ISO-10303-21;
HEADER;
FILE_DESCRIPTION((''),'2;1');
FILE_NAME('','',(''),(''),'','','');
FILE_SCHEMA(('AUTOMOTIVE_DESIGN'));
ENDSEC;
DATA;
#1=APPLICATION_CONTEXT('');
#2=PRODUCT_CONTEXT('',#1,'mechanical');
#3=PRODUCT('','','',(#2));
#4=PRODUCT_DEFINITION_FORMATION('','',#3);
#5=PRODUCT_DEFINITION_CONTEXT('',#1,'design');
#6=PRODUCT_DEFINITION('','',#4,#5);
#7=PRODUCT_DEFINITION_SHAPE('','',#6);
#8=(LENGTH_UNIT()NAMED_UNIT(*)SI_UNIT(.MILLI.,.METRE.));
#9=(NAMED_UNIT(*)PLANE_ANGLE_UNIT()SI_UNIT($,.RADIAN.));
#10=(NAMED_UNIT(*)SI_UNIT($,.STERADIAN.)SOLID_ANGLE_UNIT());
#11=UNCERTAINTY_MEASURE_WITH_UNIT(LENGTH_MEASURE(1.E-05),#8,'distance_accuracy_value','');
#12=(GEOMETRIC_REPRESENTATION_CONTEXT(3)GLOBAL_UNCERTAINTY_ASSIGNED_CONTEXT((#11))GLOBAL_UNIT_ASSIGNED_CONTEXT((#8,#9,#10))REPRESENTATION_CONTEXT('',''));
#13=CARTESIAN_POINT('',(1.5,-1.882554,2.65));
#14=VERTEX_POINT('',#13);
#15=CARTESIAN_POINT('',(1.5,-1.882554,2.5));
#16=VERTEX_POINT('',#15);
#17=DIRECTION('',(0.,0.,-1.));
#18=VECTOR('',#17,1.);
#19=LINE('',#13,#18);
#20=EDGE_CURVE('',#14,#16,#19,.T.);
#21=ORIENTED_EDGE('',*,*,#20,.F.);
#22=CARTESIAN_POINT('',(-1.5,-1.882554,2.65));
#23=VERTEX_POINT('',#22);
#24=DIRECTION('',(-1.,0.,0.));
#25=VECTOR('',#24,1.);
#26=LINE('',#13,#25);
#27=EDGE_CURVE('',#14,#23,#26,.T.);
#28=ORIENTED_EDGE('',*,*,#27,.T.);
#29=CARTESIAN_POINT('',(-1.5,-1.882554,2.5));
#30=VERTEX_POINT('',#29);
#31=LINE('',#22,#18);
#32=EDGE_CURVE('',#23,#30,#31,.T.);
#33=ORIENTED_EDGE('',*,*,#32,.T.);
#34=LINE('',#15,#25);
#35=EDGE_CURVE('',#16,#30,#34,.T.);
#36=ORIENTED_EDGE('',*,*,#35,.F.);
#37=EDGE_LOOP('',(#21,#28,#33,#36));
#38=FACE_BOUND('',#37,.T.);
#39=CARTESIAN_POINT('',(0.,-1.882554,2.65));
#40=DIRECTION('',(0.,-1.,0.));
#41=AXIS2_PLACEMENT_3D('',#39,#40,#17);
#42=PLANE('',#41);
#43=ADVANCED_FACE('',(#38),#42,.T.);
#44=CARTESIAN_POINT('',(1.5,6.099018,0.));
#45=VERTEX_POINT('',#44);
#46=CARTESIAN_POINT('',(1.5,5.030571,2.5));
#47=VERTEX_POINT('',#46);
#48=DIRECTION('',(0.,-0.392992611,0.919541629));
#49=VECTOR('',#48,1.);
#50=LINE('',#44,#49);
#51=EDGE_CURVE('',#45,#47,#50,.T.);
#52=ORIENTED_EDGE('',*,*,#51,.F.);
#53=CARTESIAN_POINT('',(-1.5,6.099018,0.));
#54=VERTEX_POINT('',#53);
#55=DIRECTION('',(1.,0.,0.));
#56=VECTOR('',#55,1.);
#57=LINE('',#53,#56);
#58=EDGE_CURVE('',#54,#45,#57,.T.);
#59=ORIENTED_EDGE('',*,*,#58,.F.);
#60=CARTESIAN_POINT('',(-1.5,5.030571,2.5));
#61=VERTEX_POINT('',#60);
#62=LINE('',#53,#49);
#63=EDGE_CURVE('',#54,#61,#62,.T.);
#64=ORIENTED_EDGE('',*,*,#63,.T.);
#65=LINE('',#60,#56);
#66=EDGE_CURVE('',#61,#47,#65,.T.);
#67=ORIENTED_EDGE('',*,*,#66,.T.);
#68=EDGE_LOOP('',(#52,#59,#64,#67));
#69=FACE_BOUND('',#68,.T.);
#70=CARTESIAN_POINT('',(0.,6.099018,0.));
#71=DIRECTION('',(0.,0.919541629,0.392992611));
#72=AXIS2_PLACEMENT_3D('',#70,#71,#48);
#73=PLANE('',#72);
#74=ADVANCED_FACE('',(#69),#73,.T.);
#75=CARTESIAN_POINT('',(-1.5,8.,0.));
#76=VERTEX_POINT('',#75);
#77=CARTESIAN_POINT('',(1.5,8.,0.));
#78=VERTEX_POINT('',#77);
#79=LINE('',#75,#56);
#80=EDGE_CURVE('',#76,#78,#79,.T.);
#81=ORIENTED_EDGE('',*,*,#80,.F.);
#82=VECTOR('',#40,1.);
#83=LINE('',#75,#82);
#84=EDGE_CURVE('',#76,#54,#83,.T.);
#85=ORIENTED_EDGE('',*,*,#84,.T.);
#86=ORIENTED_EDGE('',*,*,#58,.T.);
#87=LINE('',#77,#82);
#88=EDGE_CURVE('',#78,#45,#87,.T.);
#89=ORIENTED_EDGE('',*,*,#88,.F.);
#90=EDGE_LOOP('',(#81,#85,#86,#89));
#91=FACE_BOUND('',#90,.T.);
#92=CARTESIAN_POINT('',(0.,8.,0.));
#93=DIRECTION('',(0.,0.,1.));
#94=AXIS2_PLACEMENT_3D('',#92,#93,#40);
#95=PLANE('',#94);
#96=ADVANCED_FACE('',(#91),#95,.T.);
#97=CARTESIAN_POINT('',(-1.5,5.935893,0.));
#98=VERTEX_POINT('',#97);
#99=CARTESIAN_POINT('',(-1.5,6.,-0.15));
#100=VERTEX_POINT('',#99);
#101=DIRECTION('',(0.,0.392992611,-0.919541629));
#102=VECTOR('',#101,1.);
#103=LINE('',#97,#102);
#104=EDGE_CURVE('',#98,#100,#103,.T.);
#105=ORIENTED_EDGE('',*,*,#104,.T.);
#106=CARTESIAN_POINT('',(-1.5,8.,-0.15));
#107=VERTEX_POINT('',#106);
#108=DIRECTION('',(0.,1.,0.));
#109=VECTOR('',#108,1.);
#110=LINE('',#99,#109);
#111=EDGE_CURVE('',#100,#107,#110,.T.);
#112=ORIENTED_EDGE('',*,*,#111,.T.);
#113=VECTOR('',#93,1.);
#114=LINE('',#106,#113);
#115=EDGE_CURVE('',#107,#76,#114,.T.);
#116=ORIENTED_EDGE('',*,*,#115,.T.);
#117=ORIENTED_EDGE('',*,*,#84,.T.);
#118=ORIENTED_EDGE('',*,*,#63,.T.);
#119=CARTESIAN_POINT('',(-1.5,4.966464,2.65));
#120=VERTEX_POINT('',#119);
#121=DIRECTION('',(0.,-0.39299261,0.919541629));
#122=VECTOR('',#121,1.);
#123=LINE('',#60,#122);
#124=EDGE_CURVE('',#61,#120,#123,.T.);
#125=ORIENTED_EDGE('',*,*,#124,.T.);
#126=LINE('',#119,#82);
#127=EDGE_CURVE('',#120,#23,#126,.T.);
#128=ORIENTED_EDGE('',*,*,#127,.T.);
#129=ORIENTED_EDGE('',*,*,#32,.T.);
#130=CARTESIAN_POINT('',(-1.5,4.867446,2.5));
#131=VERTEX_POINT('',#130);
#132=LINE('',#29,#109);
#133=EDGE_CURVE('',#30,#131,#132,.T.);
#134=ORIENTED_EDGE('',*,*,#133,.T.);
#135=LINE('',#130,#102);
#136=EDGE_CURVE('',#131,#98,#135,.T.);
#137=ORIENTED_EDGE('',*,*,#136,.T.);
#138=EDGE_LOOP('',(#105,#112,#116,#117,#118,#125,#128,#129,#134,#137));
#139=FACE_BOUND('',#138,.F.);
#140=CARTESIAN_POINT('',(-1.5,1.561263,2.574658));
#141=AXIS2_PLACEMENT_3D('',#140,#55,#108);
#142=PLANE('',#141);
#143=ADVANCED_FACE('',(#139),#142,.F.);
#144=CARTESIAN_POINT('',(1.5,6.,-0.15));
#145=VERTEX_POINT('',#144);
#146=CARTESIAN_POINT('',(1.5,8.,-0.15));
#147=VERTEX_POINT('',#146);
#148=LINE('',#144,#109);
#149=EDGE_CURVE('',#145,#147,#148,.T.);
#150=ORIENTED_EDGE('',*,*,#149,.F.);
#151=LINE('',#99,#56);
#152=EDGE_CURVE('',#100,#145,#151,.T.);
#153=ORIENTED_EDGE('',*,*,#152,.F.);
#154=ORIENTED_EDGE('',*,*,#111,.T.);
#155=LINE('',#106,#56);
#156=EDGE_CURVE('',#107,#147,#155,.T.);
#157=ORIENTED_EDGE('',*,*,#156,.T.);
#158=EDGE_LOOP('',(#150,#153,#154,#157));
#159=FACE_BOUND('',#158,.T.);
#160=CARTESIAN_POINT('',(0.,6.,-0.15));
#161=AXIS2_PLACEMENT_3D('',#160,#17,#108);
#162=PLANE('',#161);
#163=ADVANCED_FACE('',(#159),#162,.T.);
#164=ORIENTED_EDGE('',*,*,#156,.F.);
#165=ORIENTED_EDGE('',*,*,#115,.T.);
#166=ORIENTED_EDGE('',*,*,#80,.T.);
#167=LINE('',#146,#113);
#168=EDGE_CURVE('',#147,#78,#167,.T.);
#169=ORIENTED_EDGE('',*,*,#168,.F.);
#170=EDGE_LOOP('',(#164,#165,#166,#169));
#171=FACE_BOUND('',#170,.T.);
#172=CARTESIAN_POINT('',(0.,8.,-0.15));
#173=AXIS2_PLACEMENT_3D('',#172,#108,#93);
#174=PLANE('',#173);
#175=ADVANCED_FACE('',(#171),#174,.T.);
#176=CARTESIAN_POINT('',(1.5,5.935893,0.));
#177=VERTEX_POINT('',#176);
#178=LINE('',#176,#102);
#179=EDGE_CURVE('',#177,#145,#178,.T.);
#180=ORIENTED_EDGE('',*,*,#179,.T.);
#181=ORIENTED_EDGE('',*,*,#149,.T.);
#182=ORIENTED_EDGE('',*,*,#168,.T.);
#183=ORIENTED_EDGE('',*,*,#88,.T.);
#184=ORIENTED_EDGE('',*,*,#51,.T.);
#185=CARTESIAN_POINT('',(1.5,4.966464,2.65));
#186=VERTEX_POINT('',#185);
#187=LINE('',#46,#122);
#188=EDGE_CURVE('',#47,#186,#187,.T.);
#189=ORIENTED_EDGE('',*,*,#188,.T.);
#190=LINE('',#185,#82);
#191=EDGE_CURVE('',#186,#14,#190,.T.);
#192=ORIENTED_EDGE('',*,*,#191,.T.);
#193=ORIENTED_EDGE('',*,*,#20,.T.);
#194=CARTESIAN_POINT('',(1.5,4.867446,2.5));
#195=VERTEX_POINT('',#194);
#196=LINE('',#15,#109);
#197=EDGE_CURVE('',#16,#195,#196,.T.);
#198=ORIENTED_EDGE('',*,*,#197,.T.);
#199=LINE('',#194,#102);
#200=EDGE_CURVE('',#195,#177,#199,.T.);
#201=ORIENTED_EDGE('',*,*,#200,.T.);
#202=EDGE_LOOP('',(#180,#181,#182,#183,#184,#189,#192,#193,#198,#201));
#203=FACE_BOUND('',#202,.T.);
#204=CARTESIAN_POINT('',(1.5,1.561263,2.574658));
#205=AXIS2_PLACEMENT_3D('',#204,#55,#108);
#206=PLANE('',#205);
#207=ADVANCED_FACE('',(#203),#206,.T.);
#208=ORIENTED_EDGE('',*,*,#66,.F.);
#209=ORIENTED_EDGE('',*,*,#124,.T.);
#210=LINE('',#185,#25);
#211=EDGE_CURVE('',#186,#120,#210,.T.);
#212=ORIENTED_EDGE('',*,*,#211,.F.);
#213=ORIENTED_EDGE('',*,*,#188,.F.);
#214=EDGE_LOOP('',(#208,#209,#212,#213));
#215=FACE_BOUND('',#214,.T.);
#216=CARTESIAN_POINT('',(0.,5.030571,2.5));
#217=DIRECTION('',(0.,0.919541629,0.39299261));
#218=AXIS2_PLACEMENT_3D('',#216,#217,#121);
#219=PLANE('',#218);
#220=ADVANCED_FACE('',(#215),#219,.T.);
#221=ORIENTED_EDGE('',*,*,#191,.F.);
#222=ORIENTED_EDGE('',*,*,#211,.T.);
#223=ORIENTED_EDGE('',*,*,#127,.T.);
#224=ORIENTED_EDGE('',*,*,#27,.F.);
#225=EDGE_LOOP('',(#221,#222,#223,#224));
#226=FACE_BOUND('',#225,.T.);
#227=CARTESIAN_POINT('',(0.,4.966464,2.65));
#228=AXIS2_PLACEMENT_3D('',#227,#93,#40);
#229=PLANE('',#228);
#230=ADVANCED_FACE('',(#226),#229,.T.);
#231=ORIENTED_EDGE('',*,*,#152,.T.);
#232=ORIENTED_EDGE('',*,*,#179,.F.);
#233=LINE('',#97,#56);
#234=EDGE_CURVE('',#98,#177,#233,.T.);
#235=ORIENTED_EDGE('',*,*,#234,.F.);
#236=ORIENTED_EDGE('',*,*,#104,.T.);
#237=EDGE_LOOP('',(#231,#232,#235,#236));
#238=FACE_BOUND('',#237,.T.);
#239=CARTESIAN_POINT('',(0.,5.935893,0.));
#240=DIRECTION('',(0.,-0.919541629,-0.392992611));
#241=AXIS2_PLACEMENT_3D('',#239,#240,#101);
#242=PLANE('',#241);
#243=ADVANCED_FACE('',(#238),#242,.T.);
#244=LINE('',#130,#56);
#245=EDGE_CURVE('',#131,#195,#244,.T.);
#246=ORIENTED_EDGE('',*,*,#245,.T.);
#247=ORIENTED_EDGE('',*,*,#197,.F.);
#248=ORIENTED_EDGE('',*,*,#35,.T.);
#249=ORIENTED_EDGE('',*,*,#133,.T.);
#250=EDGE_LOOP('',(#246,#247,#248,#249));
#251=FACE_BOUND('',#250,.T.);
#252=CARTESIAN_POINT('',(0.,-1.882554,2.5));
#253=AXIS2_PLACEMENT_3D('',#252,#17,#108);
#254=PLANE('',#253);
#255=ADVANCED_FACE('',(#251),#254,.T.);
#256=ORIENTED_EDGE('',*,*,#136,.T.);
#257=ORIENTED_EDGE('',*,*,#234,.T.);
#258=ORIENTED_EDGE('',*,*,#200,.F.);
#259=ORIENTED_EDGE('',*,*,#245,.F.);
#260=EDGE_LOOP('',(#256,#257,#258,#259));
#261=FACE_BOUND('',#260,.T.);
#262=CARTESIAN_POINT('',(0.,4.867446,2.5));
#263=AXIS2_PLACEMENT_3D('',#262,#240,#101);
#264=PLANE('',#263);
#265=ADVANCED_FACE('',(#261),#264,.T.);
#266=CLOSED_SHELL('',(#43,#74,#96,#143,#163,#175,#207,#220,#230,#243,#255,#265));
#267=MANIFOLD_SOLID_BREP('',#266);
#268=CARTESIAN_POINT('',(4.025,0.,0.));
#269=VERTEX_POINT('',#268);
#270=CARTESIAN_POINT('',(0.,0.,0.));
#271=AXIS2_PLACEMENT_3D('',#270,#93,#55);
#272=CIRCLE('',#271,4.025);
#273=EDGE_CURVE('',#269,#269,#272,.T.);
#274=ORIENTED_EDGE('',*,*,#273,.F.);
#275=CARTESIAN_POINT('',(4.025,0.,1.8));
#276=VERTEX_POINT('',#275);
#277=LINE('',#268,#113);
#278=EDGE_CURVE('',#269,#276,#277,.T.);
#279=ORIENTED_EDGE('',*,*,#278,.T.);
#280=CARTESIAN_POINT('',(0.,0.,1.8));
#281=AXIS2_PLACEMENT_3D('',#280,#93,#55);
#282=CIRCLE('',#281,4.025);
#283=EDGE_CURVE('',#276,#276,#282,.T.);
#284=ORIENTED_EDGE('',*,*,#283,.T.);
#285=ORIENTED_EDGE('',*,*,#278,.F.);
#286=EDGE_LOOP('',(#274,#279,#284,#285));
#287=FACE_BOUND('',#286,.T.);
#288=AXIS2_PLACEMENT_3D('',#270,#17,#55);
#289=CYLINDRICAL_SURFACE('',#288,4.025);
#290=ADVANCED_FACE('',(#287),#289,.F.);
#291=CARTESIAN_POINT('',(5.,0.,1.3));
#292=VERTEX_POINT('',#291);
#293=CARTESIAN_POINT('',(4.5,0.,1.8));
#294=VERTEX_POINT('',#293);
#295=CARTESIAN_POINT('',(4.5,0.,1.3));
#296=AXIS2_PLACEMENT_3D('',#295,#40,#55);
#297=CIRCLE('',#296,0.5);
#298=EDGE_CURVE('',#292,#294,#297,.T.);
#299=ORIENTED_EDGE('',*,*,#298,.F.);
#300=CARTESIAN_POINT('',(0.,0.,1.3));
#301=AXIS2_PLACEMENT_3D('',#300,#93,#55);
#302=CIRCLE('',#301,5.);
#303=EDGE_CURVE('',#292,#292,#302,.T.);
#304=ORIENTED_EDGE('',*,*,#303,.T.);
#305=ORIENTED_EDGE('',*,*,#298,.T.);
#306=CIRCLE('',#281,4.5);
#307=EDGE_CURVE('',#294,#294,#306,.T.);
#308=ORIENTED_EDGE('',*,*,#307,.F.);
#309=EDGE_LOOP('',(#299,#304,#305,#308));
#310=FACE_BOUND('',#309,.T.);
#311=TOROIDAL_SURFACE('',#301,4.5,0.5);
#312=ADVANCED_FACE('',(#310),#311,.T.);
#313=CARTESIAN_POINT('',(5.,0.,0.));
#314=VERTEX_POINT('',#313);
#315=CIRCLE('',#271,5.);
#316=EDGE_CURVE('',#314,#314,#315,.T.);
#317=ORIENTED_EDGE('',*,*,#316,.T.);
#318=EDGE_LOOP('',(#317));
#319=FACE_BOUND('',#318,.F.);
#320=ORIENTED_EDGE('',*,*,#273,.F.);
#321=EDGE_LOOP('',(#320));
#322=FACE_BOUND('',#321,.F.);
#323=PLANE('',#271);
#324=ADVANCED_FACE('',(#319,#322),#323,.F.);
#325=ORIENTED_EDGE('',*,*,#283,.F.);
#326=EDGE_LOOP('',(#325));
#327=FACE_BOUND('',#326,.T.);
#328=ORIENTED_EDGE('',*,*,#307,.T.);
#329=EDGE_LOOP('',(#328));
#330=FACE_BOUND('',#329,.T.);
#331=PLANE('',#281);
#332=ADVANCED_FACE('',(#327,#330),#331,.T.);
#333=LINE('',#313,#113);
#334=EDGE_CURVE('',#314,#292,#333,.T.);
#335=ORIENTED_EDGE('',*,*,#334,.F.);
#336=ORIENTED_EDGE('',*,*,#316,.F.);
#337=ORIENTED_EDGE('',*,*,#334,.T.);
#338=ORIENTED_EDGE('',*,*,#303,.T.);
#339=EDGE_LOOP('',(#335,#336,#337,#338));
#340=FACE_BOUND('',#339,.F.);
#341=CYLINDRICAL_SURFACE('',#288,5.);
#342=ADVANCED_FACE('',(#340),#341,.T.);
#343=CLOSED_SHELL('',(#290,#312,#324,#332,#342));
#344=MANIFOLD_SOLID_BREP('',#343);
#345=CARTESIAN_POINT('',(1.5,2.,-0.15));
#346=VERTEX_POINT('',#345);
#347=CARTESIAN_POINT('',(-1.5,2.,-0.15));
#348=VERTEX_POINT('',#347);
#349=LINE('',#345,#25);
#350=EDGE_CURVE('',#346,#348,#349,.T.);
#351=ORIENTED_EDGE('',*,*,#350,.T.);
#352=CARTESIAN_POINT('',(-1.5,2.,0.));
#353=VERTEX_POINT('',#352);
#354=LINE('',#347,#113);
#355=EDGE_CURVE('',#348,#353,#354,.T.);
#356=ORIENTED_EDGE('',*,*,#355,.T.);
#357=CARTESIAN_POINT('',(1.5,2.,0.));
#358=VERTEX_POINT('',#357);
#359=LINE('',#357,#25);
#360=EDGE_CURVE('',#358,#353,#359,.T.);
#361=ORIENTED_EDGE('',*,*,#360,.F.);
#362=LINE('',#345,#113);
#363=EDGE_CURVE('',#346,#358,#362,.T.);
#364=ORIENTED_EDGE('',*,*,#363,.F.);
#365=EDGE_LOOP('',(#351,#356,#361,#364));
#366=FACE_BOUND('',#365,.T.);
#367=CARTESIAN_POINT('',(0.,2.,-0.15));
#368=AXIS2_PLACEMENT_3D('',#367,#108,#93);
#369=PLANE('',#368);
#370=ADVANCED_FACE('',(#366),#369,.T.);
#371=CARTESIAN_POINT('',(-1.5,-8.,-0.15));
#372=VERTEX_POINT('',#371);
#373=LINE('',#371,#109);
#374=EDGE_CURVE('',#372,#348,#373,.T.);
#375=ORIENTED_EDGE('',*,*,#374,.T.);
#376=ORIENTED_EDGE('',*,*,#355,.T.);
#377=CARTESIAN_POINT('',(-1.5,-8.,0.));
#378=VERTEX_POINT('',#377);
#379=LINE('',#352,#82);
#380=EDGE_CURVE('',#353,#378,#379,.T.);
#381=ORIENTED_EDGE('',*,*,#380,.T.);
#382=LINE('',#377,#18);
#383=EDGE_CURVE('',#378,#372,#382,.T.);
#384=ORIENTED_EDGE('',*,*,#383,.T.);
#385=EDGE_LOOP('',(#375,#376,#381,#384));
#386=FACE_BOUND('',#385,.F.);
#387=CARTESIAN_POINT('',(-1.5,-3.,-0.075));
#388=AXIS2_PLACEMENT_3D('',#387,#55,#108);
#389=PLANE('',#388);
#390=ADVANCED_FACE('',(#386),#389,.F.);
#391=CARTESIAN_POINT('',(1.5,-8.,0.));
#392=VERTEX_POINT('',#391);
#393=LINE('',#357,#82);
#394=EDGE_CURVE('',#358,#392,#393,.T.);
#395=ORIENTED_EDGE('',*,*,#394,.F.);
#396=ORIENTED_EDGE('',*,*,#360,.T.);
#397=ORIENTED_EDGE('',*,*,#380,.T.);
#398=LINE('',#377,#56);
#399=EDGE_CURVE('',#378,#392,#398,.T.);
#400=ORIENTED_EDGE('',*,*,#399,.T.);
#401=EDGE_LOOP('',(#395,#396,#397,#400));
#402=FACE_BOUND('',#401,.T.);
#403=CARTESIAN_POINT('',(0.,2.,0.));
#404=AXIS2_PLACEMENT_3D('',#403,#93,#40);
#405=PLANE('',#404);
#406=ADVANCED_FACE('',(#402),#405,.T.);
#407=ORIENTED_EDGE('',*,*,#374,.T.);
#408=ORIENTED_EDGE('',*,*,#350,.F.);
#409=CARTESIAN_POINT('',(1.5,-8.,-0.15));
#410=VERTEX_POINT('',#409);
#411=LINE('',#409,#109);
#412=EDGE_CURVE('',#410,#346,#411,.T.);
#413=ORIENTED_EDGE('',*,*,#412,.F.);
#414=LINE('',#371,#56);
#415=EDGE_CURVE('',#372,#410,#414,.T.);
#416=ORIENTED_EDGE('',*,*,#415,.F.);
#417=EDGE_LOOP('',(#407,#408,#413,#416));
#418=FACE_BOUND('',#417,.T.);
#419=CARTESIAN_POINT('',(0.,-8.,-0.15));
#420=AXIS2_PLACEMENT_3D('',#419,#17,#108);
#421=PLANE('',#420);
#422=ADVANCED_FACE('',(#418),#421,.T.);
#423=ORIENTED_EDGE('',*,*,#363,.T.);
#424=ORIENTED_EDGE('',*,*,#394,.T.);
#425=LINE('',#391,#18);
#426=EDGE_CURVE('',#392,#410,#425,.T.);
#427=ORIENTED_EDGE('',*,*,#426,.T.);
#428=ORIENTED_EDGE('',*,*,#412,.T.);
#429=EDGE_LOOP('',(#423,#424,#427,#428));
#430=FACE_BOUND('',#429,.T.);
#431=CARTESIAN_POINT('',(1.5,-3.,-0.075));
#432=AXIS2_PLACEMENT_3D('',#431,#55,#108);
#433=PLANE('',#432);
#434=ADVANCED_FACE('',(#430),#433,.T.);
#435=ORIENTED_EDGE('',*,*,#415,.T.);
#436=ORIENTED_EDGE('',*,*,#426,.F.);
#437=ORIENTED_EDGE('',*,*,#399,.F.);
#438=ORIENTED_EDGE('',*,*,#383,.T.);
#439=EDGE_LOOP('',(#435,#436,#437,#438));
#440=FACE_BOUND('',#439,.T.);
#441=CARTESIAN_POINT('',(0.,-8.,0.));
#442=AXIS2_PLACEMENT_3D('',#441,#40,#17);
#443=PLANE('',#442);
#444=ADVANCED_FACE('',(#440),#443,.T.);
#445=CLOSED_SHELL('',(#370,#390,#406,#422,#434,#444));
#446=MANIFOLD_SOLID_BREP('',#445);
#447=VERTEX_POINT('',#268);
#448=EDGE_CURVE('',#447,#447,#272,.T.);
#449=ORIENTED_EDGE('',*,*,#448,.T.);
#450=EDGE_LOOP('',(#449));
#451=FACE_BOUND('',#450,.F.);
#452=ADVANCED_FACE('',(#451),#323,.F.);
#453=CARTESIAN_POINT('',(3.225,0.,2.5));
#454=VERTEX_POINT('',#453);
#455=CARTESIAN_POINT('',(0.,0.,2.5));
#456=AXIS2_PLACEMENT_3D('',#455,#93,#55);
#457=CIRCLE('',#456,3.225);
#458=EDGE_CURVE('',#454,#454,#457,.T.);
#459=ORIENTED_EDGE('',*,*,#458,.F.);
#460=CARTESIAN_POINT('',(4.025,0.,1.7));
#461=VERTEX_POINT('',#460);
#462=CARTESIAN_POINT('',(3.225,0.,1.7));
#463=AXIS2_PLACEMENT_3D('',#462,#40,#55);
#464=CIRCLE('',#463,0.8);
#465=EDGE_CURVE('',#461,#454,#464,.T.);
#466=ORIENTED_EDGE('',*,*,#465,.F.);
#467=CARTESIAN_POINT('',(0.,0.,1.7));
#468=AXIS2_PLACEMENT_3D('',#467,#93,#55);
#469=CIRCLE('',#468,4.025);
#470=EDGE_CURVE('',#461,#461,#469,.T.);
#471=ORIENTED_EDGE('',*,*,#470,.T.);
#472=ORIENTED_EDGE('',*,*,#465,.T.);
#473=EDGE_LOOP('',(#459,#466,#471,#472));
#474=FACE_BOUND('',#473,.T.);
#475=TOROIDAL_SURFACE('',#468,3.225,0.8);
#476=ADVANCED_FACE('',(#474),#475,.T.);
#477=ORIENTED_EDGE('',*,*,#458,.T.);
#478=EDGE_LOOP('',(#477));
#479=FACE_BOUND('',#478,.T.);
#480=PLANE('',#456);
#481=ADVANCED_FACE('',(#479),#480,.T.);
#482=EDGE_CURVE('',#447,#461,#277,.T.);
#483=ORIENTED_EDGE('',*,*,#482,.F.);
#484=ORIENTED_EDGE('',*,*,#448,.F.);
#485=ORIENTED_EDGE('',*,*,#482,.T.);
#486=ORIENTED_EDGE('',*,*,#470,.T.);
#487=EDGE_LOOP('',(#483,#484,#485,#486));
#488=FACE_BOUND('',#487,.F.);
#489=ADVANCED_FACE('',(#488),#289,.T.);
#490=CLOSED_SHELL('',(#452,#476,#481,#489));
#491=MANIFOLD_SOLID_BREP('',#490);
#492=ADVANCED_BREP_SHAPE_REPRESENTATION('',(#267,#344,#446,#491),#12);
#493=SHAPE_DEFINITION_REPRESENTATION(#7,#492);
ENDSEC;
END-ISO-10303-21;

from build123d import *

# Parameters (mm, degrees)
F0_R     = 4.025
F1_DEPTH = 2.5
F0_R_2   = 5
F2_DEPTH = 1.8
F4_DEPTH = 1.5
F5_R     = 0.8
F6_R     = 0.5


with BuildPart() as f1:
    # F0 (on Top) → F1 (new body)
    with BuildSketch(Plane.XY):
        Circle(F0_R)
    extrude(amount=F1_DEPTH)

    # F5
    f5_edges = [f1.edges().sort_by_distance(p)[0] for p in [
        (-4.025, 0, 2.5),
    ]]
    fillet(f5_edges, radius=F5_R)


with BuildPart() as f2:
    # F0 (on Top) → F2 (new body)
    with BuildSketch(Plane.XY):
        Circle(F0_R_2)
        Circle(F0_R, mode=Mode.SUBTRACT)
    extrude(amount=F2_DEPTH)

    # F6
    f6_edges = [f2.edges().sort_by_distance(p)[0] for p in [
        (-5, 0, 1.8),
    ]]
    fillet(f6_edges, radius=F6_R)


with BuildPart() as f4:
    # F3 (on Right) → F4 (new body, symmetric)
    with BuildSketch(Plane.YZ):
        Polygon((-1.8825538568, 2.5), (0, 2.5), (4.8674461432, 2.5), (5.0305708949, 2.5), (4.9664640729, 2.65), (-1.8825538568, 2.65), align=None)
        Polygon((5.0305708949, 2.5), (4.8674461432, 2.5), (5.9358931779, 0), (6.0990179297, 0), align=None)
        Polygon((6.0990179297, 0), (5.9358931779, 0), (6, -0.15), (8, -0.15), (8, 0), align=None)
    extrude(amount=F4_DEPTH, both=True)


with BuildPart() as f4b:
    # F3 (on Right) → F4, piece 2 (new body, symmetric)
    with BuildSketch(Plane.YZ):
        Polygon((2, 0), (0, 0), (-8, 0), (-8, -0.15), (2, -0.15), align=None)
    extrude(amount=F4_DEPTH, both=True)


solid = Compound([f1.part, f2.part, f4.part, f4b.part])
